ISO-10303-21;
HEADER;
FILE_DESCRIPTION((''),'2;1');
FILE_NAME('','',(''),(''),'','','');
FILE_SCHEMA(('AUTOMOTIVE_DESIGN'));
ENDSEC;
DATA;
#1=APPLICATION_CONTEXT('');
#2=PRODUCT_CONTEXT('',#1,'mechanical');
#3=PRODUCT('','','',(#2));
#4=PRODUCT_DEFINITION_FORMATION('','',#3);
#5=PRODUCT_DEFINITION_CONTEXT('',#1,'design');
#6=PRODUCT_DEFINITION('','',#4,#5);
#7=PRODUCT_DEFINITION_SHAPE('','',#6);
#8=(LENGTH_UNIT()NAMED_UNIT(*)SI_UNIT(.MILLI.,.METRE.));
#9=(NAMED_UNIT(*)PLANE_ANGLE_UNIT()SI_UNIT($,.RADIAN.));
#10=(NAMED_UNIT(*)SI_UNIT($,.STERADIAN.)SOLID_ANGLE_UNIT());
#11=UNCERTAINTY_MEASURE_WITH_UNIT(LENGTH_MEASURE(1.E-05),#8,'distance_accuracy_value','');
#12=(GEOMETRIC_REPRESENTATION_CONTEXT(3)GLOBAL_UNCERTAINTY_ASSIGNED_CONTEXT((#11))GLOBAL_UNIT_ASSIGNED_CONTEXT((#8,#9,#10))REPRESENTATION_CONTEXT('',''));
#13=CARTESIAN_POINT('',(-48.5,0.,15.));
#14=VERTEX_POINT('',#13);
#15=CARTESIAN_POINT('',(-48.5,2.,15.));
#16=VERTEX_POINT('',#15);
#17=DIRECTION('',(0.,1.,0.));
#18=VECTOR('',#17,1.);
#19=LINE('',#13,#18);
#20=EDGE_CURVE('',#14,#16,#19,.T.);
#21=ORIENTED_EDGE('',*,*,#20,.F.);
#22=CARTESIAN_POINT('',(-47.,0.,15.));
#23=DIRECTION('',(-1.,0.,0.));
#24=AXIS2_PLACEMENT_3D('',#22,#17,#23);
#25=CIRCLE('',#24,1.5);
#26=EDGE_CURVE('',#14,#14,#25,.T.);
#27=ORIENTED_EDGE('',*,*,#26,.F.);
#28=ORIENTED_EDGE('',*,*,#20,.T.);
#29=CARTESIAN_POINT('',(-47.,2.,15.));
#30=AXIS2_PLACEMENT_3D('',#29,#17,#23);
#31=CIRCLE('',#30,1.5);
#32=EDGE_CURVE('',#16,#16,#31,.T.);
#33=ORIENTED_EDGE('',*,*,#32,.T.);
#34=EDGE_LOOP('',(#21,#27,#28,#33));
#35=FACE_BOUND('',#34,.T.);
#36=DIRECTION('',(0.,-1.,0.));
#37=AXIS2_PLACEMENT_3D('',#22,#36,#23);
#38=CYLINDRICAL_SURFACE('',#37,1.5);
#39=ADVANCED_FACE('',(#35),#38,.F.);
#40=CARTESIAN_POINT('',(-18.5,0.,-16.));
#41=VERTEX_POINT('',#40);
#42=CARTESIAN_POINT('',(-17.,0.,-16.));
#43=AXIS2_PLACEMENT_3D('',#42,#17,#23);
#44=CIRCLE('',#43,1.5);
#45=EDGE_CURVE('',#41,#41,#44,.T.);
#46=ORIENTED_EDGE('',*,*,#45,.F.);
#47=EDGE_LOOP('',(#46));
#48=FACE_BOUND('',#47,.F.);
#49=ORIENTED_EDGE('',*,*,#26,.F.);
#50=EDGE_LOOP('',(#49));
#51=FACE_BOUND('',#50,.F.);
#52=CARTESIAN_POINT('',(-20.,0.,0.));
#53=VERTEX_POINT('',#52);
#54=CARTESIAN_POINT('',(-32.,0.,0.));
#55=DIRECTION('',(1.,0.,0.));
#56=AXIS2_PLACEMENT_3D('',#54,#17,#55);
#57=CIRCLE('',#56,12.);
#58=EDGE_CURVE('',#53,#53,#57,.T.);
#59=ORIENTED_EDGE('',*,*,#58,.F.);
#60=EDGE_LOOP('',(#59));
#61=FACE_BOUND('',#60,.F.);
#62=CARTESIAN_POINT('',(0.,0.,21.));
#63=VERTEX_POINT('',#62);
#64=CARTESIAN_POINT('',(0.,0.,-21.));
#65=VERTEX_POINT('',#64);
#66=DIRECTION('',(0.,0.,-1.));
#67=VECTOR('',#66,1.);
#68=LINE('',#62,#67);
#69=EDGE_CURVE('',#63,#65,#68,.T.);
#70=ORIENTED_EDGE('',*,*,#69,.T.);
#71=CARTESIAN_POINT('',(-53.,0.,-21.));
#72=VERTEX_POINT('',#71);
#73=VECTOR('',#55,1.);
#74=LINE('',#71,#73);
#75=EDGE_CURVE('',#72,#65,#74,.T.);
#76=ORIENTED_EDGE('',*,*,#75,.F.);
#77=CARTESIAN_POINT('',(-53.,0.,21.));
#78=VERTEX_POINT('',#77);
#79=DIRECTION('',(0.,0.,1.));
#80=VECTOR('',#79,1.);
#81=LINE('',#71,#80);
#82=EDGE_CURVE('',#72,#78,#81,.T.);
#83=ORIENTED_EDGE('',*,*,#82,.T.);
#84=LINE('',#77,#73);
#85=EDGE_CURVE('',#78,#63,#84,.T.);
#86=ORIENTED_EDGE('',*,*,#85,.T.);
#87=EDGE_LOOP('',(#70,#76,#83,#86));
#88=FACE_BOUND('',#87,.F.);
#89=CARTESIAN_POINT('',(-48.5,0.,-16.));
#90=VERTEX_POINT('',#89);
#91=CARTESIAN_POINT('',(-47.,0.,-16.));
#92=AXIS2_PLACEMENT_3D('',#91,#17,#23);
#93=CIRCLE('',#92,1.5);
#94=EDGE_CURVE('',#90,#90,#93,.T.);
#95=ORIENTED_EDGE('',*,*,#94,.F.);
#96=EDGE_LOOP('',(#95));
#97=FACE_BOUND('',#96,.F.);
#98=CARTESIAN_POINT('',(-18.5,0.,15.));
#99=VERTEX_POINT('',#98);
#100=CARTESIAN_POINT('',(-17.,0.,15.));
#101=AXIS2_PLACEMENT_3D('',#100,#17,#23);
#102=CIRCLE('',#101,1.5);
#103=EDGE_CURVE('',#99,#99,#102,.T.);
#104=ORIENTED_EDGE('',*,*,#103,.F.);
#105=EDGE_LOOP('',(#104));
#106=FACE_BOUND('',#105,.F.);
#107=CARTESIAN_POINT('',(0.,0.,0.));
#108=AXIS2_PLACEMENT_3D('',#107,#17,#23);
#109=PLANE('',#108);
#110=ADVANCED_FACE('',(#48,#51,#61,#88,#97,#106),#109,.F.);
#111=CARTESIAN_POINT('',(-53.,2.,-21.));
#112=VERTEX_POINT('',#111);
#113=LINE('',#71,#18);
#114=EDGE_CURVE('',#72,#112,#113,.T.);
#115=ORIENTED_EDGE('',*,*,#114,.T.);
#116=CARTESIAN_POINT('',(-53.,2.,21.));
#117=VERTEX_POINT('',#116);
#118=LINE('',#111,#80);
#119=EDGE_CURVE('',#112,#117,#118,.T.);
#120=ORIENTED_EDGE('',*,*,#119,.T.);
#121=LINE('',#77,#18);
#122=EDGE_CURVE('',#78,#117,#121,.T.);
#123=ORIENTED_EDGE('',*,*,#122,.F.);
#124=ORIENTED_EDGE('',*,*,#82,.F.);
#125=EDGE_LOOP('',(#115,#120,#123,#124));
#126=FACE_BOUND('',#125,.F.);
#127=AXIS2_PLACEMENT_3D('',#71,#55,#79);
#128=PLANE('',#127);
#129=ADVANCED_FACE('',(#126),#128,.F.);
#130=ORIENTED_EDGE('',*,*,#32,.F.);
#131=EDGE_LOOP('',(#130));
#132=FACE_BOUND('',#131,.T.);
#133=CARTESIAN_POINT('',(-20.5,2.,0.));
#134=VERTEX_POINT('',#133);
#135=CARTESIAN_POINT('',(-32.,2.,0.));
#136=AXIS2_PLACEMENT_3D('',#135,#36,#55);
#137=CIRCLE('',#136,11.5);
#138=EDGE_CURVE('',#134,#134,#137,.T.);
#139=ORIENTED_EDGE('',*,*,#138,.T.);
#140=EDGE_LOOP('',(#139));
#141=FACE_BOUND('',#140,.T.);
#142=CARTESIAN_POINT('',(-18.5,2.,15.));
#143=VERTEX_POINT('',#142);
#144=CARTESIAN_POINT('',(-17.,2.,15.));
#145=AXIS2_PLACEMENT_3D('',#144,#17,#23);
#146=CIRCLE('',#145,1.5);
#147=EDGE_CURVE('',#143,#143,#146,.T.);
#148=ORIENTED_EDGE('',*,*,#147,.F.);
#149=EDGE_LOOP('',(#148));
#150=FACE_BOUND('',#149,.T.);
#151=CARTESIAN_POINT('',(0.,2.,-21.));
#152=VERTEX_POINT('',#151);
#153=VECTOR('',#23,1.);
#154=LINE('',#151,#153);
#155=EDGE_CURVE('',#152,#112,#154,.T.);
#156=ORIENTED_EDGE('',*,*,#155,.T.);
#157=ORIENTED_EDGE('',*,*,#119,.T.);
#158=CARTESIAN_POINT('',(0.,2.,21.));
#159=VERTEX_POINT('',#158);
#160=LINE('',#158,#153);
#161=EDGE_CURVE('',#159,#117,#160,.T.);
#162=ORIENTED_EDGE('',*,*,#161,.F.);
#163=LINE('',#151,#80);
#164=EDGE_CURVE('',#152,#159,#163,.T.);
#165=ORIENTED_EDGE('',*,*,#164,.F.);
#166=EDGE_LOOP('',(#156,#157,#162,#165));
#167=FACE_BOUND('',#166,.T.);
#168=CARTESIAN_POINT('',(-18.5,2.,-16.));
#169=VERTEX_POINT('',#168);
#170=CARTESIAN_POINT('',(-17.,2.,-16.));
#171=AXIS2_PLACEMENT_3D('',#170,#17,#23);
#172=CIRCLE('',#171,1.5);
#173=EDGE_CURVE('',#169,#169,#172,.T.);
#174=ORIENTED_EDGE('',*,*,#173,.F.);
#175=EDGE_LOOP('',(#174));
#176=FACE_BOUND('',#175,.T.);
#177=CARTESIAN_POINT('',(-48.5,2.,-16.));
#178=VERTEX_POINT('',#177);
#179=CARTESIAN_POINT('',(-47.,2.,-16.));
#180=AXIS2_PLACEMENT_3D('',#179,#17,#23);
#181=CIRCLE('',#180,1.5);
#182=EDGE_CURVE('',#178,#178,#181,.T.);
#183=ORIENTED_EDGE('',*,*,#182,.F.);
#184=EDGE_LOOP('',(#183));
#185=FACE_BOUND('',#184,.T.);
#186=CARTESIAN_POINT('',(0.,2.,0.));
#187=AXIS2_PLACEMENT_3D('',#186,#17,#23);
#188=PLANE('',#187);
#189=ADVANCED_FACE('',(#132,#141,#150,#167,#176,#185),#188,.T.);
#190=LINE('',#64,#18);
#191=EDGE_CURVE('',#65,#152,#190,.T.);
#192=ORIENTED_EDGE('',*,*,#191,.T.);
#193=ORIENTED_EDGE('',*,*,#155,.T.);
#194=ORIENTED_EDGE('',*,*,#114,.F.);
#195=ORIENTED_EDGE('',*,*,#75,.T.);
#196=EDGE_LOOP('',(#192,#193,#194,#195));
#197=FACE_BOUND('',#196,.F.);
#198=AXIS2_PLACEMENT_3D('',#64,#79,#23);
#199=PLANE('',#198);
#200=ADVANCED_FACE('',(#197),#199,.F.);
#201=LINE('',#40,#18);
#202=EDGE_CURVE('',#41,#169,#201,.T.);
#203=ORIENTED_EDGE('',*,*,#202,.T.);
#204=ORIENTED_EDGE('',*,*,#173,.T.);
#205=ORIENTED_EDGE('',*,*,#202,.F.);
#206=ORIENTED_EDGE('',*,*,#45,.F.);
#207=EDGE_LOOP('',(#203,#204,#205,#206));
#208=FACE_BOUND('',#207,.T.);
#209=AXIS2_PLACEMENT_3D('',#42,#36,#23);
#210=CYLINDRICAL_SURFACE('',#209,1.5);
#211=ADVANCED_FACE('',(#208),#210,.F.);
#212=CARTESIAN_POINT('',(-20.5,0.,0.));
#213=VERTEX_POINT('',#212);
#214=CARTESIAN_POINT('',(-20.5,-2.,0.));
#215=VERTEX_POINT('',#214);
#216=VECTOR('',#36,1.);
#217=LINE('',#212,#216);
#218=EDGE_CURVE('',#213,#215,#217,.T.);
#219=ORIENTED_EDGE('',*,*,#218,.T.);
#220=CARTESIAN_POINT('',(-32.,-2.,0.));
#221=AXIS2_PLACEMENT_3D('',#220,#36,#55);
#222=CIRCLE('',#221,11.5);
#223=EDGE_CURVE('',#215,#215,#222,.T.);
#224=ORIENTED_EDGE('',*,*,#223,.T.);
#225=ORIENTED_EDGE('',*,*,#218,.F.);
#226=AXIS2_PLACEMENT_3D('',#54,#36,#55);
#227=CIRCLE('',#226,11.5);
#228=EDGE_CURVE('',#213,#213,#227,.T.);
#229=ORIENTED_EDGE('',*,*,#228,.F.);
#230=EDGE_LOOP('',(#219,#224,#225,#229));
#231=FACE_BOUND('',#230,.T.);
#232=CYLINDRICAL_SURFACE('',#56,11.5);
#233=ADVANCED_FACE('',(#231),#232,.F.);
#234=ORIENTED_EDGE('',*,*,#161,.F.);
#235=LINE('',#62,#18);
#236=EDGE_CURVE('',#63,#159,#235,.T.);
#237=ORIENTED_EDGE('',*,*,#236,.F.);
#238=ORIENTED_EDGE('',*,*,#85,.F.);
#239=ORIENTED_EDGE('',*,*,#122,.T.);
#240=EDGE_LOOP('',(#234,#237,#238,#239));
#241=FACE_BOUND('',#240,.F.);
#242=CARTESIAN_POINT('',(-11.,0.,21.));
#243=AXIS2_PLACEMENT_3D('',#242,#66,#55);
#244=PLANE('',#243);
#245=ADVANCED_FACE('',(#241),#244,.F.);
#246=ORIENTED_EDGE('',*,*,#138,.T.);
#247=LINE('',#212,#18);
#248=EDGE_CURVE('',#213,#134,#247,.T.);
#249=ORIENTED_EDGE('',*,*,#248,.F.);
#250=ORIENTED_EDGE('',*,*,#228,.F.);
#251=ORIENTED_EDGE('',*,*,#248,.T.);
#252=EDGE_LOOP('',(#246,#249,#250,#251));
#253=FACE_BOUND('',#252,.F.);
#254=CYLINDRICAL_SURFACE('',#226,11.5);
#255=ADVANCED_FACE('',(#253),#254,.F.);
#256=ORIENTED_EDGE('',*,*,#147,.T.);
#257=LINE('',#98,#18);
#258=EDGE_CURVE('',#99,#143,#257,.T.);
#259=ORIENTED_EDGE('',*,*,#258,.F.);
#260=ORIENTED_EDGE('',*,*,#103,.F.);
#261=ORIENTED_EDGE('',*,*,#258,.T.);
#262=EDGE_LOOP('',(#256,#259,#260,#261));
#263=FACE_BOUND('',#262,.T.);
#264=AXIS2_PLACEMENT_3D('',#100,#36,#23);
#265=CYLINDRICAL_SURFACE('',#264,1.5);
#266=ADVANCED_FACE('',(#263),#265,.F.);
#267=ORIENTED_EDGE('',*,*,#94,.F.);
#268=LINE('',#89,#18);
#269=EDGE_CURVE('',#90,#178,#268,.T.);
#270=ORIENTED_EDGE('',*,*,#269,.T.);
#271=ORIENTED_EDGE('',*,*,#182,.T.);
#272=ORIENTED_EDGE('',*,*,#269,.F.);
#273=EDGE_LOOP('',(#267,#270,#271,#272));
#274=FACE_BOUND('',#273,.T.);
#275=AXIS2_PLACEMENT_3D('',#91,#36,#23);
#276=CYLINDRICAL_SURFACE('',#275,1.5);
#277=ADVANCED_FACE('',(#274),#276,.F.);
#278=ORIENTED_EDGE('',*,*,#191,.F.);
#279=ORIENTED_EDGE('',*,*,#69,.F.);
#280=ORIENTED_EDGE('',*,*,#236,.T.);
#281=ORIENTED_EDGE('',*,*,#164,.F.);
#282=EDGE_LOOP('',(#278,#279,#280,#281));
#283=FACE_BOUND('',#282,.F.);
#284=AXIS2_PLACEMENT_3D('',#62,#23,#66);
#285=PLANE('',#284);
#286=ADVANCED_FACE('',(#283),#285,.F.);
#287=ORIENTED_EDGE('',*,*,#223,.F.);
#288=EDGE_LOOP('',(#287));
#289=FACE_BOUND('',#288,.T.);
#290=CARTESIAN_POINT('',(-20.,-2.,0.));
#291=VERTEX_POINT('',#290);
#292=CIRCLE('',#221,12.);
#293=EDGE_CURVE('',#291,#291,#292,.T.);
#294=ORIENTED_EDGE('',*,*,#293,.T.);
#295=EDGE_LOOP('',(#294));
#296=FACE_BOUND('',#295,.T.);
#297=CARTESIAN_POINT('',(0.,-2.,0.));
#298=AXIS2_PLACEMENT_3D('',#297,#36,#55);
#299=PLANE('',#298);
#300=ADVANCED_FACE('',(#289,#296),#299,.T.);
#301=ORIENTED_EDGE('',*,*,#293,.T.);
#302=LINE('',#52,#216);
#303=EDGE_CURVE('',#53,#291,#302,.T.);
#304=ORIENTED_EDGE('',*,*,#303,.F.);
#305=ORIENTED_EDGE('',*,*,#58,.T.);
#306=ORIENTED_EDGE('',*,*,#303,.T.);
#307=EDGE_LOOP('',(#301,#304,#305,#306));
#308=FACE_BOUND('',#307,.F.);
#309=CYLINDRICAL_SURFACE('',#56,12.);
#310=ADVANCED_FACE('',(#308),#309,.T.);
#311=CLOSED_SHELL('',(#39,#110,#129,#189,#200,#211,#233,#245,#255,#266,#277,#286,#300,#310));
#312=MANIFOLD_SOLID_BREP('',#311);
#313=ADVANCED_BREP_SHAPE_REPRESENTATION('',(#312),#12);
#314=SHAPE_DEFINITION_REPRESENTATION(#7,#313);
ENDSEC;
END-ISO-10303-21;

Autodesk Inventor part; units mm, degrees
ref_plane "YZ Plane" through (0, 0, 0) normal (1, 0, 0) x (0, 1, 0)
ref_plane "XZ Plane" through (0, 0, 0) normal (0, 1, 0) x (-1, 0, 0)
ref_plane "XY Plane" through (0, 0, 0) normal (0, 0, 1) x (1, 0, 0)
sketch "Sketch1" plane through (0, 0, 0) normal (0, 1, 0) x (-1, 0, 0)
  line L0 (0, 0) -> (32, 0)
  circle A0 centre (32, 0) radius 12
  line L1 (53, 21) -> (11, 21)
  line L2 (11, 21) -> (11, -21)
  line L3 (11, -21) -> (53, -21)
  line L4 (53, -21) -> (53, 21)
  line L5 (53, 21) -> (11, -21) construction
  line L6 (11, 21) -> (53, -21) construction
  circle A1 centre (47, 15) radius 1.5
  circle A2 centre (47, -16) radius 1.5
  line L7 (32, 0) -> (32, 21)
  circle A3 centre (17, 15) radius 1.5
  circle A4 centre (17, -16) radius 1.5
  line L8 (11, 21) -> (0, 21)
  line L9 (0, 21) -> (0, -21)
  line L10 (0, -21) -> (11, -21)
  dimension "d0" = 32
  dimension "d1" = 24
  dimension "d2" = 42
  dimension "d3" = 42
  dimension "d4" = 3
  dimension "d5" = 3
  dimension "d6" = 31
  dimension "d7" = 15
  dimension "d8" = 15
  dimension "d14" = 11
extrude "Extrusion1" add sketch "Sketch1" along normal blind 2 contours L9 L8 L2 L0 | L0 L2 L10 L9 | L2 L1 L7 A0 L0 | L0 A0 L7 L1 L4 L3 L2
sketch "Sketch2" plane through (0, 0, 0) normal (0, -1, 0) x (1, 0, 0)
  line L0 (-53, -21) -> (-53, 21) projected
  circle A0 centre (-17, 15) radius 1.5 projected
  circle A1 centre (-32, 0) radius 12 projected
  circle A2 centre (-17, -16) radius 1.5 projected
  circle A3 centre (-47, 15) radius 1.5 projected
  circle A4 centre (-47, -16) radius 1.5 projected
  circle A5 centre (-32, 0) radius 11.5
  line L1 (0, -21) -> (-53, -21) projected
  line L2 (0, 21) -> (0, -21) projected
  line L3 (-53, 21) -> (0, 21) projected
  point P0 (0, 0)
  dimension "d11" = 23
extrude "Extrusion2" add sketch "Sketch2" along normal mid plane 4 contours A1
properties part number "2_3DPrint"
